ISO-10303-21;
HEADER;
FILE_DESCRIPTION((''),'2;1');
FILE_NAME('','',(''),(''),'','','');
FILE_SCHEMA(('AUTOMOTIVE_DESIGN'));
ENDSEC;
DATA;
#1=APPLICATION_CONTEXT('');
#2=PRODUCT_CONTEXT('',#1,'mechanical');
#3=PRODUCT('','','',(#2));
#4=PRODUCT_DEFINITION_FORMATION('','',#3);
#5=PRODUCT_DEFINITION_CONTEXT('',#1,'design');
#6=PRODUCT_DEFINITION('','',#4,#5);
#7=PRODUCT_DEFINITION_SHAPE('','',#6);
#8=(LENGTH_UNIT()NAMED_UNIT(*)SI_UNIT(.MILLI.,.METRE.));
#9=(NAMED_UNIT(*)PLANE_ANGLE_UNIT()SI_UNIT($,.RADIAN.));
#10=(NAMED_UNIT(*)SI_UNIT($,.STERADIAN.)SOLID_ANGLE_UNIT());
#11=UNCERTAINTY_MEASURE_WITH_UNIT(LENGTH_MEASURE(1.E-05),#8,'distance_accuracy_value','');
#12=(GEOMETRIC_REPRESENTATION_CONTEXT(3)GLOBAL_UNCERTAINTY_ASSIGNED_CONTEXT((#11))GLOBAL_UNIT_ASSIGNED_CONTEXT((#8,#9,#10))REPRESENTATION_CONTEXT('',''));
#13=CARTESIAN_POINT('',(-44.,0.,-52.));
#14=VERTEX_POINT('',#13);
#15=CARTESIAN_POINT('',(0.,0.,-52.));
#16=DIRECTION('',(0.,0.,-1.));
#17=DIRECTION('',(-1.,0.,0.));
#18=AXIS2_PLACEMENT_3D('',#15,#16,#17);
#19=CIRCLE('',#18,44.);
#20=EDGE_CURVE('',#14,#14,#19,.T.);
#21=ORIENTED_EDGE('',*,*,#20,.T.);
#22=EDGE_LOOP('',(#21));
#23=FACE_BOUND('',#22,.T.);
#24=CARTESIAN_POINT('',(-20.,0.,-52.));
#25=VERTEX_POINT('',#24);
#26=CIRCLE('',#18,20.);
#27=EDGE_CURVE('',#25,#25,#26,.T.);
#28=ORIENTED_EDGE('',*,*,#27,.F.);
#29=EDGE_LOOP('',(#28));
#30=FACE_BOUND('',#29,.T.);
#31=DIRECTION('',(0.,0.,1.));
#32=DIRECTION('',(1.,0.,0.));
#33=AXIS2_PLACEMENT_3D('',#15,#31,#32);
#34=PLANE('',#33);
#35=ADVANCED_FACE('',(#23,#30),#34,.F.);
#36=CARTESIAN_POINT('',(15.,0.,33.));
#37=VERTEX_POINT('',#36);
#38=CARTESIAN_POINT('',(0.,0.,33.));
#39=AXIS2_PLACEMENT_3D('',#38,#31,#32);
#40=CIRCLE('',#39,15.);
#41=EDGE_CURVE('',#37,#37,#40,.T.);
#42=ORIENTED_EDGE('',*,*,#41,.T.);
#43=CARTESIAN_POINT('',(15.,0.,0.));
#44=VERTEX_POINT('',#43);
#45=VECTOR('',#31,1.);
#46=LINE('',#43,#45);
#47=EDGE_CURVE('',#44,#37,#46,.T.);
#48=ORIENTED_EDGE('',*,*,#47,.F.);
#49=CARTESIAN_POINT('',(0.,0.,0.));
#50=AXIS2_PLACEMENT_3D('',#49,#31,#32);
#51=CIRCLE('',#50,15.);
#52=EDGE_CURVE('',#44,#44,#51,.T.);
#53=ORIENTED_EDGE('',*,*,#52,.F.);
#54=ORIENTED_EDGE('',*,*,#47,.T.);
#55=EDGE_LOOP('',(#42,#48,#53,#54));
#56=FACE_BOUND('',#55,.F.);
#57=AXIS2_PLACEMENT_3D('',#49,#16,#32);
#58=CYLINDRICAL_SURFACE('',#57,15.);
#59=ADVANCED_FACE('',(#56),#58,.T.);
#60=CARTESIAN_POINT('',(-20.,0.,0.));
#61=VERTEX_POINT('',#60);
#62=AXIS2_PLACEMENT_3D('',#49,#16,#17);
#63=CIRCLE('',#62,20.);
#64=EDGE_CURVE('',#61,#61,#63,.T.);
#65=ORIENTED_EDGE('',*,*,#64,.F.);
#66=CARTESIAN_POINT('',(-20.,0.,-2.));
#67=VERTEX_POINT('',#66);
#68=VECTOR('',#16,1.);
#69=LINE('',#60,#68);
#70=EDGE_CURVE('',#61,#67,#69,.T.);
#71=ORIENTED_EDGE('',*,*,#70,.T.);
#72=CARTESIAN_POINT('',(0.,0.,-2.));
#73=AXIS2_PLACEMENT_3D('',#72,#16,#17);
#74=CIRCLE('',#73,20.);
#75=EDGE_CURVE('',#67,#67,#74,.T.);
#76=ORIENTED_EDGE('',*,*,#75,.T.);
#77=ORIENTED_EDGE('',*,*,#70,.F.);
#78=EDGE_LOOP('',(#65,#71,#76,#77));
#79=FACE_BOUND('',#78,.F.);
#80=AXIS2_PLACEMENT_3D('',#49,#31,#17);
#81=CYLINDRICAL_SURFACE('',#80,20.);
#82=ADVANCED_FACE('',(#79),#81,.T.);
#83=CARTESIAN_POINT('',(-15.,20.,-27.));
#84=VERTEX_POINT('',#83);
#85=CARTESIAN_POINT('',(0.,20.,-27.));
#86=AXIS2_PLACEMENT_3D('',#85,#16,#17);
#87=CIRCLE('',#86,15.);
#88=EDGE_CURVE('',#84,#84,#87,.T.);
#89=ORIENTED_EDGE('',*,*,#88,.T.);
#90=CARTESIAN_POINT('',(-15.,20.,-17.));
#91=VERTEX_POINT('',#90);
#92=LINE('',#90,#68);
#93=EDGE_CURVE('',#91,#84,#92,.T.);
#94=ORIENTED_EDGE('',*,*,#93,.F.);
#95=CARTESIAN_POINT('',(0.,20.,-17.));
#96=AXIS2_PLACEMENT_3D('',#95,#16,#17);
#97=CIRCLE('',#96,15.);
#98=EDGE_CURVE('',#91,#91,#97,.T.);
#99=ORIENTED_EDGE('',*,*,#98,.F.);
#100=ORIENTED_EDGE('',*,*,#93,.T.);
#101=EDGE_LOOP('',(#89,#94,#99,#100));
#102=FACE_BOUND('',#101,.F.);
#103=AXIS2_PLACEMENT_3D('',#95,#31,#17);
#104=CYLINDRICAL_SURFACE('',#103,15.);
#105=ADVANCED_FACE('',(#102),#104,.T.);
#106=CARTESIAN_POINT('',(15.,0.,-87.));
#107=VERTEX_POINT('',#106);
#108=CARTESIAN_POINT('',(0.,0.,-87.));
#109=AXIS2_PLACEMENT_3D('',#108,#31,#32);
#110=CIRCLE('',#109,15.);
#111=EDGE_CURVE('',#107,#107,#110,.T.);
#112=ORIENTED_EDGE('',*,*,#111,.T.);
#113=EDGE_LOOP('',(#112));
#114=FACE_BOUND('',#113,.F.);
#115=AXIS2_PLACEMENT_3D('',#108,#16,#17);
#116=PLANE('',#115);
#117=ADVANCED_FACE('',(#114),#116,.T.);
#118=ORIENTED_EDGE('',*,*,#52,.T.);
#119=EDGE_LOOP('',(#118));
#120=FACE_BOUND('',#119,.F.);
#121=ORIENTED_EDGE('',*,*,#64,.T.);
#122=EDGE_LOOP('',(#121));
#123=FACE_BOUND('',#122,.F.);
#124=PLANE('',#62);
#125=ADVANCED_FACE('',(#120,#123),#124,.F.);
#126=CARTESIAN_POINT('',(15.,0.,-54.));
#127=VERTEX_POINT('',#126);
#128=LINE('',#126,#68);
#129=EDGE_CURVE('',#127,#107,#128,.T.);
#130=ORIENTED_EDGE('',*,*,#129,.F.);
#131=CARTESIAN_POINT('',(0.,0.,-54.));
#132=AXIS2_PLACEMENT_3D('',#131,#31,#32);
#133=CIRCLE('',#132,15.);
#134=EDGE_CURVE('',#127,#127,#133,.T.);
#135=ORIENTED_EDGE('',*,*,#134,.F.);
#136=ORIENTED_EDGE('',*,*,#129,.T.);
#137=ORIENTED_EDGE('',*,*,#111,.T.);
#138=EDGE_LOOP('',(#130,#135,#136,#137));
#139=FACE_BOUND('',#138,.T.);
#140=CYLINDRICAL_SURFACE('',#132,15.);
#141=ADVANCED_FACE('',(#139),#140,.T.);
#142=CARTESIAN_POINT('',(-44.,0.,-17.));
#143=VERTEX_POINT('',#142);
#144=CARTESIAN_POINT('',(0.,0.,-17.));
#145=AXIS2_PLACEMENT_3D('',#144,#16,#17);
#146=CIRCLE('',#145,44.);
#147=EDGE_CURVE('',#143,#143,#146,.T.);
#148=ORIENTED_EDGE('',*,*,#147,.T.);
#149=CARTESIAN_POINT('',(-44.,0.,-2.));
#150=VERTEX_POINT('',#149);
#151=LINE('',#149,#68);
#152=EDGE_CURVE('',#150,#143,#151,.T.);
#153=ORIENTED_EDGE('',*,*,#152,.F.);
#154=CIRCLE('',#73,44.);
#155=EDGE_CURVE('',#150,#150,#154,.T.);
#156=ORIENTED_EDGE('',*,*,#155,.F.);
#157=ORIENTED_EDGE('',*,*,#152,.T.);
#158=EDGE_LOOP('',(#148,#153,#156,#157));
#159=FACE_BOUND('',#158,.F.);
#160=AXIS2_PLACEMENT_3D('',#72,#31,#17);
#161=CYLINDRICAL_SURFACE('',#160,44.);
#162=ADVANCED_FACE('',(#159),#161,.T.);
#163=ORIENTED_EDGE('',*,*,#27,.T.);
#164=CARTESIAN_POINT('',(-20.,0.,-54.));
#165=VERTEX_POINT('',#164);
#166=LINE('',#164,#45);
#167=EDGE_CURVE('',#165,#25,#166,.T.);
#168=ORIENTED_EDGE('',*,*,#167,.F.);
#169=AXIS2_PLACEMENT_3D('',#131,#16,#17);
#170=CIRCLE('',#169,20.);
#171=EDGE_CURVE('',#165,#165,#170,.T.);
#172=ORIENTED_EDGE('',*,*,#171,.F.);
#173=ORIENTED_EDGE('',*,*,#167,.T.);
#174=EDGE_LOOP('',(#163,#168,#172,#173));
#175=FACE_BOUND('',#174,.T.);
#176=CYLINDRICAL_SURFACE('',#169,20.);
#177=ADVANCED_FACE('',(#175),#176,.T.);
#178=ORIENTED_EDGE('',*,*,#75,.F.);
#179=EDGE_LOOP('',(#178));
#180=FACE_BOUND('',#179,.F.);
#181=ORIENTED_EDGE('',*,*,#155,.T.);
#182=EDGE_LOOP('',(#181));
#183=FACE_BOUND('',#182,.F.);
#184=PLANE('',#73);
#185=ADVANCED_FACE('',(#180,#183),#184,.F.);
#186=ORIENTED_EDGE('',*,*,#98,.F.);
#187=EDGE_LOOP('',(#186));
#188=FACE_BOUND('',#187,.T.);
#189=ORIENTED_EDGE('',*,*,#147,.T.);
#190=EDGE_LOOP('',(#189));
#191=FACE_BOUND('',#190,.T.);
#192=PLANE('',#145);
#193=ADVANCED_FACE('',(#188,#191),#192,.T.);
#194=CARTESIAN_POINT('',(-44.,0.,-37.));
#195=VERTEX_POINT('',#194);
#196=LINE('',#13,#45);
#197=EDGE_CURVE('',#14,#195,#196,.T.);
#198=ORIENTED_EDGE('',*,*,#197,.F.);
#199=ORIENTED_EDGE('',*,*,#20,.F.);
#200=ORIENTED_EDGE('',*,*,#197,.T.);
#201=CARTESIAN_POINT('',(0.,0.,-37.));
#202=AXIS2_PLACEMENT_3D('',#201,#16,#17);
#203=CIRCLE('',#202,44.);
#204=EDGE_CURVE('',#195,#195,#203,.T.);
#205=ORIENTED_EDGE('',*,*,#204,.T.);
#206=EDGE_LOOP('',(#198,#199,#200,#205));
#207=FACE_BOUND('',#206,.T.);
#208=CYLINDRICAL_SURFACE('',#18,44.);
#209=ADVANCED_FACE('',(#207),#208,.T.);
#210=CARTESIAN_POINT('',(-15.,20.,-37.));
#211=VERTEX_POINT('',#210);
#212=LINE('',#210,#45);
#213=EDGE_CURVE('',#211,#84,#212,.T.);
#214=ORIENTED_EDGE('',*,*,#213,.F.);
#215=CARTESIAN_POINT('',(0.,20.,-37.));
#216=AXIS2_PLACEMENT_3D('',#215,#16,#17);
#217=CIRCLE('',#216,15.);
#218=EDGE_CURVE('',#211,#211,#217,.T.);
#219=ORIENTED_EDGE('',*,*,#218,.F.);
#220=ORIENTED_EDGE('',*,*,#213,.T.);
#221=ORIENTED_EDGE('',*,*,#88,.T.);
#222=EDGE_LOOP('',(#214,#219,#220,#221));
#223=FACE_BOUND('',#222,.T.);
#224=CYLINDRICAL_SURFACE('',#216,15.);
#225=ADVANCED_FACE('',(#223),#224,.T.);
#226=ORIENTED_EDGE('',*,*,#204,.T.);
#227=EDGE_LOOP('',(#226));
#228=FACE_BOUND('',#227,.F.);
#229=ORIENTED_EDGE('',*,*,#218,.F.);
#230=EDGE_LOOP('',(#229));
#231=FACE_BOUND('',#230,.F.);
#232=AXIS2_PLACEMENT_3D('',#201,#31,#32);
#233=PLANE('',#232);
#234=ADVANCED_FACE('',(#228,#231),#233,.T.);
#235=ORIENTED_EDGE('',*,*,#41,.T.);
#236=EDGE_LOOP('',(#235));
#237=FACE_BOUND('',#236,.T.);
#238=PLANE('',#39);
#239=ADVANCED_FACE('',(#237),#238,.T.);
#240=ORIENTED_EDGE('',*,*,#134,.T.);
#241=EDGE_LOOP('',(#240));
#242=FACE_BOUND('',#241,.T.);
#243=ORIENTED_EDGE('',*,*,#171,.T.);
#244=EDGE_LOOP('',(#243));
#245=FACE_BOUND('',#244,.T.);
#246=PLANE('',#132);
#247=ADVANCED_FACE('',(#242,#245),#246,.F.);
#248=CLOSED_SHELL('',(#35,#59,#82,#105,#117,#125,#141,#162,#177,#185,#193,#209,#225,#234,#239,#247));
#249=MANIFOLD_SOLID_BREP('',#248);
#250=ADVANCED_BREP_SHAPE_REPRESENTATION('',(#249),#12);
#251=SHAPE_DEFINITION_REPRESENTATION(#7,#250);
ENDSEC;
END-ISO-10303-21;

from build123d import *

# Parameters (mm, degrees)
SZKIC1_R                    = 15
DODANIE_WYCI_GNI_CIE1_DEPTH = 33
SZKIC2_R                    = 20
DODANIE_WYCI_GNI_CIE2_DEPTH = 2
SZKIC3_R                    = 44
DODANIE_WYCI_GNI_CIE3_DEPTH = 15
SZKIC4_R                    = 15
DODANIE_WYCI_GNI_CIE4_DEPTH = 10


with BuildPart() as part:
    # Szkic1 → Dodanie-wyciągnięcie1 (new body)
    with BuildSketch(Plane.XY):
        Circle(SZKIC1_R)
    extrude(amount=DODANIE_WYCI_GNI_CIE1_DEPTH)

    # Szkic2 → Dodanie-wyciągnięcie2 (add)
    with BuildSketch(Plane(origin=(0, 0, 0), x_dir=(-1, 0, 0), z_dir=(0, 0, -1))):
        Circle(SZKIC2_R)
    extrude(amount=DODANIE_WYCI_GNI_CIE2_DEPTH)

    # Szkic3 → Dodanie-wyciągnięcie3 (add)
    with BuildSketch(Plane(origin=(0, 0, -2), x_dir=(-1, 0, 0), z_dir=(0, 0, -1))):
        Circle(SZKIC3_R)
    extrude(amount=DODANIE_WYCI_GNI_CIE3_DEPTH)

    # Szkic4 → Dodanie-wyciągnięcie4 (add)
    with BuildSketch(Plane(origin=(0, 0, -17), x_dir=(-1, 0, 0), z_dir=(0, 0, -1))):
        with Locations((0, 20)):
            Circle(SZKIC4_R)
    extrude(amount=DODANIE_WYCI_GNI_CIE4_DEPTH)

    # Lustro1: part across plane


with BuildPart() as part_1:
    add(part.part)
    add(part.part.mirror(Plane(origin=(0, 20, -27), x_dir=(1, 0, 0), z_dir=(0, 0, -1))))


solid = part_1.part
